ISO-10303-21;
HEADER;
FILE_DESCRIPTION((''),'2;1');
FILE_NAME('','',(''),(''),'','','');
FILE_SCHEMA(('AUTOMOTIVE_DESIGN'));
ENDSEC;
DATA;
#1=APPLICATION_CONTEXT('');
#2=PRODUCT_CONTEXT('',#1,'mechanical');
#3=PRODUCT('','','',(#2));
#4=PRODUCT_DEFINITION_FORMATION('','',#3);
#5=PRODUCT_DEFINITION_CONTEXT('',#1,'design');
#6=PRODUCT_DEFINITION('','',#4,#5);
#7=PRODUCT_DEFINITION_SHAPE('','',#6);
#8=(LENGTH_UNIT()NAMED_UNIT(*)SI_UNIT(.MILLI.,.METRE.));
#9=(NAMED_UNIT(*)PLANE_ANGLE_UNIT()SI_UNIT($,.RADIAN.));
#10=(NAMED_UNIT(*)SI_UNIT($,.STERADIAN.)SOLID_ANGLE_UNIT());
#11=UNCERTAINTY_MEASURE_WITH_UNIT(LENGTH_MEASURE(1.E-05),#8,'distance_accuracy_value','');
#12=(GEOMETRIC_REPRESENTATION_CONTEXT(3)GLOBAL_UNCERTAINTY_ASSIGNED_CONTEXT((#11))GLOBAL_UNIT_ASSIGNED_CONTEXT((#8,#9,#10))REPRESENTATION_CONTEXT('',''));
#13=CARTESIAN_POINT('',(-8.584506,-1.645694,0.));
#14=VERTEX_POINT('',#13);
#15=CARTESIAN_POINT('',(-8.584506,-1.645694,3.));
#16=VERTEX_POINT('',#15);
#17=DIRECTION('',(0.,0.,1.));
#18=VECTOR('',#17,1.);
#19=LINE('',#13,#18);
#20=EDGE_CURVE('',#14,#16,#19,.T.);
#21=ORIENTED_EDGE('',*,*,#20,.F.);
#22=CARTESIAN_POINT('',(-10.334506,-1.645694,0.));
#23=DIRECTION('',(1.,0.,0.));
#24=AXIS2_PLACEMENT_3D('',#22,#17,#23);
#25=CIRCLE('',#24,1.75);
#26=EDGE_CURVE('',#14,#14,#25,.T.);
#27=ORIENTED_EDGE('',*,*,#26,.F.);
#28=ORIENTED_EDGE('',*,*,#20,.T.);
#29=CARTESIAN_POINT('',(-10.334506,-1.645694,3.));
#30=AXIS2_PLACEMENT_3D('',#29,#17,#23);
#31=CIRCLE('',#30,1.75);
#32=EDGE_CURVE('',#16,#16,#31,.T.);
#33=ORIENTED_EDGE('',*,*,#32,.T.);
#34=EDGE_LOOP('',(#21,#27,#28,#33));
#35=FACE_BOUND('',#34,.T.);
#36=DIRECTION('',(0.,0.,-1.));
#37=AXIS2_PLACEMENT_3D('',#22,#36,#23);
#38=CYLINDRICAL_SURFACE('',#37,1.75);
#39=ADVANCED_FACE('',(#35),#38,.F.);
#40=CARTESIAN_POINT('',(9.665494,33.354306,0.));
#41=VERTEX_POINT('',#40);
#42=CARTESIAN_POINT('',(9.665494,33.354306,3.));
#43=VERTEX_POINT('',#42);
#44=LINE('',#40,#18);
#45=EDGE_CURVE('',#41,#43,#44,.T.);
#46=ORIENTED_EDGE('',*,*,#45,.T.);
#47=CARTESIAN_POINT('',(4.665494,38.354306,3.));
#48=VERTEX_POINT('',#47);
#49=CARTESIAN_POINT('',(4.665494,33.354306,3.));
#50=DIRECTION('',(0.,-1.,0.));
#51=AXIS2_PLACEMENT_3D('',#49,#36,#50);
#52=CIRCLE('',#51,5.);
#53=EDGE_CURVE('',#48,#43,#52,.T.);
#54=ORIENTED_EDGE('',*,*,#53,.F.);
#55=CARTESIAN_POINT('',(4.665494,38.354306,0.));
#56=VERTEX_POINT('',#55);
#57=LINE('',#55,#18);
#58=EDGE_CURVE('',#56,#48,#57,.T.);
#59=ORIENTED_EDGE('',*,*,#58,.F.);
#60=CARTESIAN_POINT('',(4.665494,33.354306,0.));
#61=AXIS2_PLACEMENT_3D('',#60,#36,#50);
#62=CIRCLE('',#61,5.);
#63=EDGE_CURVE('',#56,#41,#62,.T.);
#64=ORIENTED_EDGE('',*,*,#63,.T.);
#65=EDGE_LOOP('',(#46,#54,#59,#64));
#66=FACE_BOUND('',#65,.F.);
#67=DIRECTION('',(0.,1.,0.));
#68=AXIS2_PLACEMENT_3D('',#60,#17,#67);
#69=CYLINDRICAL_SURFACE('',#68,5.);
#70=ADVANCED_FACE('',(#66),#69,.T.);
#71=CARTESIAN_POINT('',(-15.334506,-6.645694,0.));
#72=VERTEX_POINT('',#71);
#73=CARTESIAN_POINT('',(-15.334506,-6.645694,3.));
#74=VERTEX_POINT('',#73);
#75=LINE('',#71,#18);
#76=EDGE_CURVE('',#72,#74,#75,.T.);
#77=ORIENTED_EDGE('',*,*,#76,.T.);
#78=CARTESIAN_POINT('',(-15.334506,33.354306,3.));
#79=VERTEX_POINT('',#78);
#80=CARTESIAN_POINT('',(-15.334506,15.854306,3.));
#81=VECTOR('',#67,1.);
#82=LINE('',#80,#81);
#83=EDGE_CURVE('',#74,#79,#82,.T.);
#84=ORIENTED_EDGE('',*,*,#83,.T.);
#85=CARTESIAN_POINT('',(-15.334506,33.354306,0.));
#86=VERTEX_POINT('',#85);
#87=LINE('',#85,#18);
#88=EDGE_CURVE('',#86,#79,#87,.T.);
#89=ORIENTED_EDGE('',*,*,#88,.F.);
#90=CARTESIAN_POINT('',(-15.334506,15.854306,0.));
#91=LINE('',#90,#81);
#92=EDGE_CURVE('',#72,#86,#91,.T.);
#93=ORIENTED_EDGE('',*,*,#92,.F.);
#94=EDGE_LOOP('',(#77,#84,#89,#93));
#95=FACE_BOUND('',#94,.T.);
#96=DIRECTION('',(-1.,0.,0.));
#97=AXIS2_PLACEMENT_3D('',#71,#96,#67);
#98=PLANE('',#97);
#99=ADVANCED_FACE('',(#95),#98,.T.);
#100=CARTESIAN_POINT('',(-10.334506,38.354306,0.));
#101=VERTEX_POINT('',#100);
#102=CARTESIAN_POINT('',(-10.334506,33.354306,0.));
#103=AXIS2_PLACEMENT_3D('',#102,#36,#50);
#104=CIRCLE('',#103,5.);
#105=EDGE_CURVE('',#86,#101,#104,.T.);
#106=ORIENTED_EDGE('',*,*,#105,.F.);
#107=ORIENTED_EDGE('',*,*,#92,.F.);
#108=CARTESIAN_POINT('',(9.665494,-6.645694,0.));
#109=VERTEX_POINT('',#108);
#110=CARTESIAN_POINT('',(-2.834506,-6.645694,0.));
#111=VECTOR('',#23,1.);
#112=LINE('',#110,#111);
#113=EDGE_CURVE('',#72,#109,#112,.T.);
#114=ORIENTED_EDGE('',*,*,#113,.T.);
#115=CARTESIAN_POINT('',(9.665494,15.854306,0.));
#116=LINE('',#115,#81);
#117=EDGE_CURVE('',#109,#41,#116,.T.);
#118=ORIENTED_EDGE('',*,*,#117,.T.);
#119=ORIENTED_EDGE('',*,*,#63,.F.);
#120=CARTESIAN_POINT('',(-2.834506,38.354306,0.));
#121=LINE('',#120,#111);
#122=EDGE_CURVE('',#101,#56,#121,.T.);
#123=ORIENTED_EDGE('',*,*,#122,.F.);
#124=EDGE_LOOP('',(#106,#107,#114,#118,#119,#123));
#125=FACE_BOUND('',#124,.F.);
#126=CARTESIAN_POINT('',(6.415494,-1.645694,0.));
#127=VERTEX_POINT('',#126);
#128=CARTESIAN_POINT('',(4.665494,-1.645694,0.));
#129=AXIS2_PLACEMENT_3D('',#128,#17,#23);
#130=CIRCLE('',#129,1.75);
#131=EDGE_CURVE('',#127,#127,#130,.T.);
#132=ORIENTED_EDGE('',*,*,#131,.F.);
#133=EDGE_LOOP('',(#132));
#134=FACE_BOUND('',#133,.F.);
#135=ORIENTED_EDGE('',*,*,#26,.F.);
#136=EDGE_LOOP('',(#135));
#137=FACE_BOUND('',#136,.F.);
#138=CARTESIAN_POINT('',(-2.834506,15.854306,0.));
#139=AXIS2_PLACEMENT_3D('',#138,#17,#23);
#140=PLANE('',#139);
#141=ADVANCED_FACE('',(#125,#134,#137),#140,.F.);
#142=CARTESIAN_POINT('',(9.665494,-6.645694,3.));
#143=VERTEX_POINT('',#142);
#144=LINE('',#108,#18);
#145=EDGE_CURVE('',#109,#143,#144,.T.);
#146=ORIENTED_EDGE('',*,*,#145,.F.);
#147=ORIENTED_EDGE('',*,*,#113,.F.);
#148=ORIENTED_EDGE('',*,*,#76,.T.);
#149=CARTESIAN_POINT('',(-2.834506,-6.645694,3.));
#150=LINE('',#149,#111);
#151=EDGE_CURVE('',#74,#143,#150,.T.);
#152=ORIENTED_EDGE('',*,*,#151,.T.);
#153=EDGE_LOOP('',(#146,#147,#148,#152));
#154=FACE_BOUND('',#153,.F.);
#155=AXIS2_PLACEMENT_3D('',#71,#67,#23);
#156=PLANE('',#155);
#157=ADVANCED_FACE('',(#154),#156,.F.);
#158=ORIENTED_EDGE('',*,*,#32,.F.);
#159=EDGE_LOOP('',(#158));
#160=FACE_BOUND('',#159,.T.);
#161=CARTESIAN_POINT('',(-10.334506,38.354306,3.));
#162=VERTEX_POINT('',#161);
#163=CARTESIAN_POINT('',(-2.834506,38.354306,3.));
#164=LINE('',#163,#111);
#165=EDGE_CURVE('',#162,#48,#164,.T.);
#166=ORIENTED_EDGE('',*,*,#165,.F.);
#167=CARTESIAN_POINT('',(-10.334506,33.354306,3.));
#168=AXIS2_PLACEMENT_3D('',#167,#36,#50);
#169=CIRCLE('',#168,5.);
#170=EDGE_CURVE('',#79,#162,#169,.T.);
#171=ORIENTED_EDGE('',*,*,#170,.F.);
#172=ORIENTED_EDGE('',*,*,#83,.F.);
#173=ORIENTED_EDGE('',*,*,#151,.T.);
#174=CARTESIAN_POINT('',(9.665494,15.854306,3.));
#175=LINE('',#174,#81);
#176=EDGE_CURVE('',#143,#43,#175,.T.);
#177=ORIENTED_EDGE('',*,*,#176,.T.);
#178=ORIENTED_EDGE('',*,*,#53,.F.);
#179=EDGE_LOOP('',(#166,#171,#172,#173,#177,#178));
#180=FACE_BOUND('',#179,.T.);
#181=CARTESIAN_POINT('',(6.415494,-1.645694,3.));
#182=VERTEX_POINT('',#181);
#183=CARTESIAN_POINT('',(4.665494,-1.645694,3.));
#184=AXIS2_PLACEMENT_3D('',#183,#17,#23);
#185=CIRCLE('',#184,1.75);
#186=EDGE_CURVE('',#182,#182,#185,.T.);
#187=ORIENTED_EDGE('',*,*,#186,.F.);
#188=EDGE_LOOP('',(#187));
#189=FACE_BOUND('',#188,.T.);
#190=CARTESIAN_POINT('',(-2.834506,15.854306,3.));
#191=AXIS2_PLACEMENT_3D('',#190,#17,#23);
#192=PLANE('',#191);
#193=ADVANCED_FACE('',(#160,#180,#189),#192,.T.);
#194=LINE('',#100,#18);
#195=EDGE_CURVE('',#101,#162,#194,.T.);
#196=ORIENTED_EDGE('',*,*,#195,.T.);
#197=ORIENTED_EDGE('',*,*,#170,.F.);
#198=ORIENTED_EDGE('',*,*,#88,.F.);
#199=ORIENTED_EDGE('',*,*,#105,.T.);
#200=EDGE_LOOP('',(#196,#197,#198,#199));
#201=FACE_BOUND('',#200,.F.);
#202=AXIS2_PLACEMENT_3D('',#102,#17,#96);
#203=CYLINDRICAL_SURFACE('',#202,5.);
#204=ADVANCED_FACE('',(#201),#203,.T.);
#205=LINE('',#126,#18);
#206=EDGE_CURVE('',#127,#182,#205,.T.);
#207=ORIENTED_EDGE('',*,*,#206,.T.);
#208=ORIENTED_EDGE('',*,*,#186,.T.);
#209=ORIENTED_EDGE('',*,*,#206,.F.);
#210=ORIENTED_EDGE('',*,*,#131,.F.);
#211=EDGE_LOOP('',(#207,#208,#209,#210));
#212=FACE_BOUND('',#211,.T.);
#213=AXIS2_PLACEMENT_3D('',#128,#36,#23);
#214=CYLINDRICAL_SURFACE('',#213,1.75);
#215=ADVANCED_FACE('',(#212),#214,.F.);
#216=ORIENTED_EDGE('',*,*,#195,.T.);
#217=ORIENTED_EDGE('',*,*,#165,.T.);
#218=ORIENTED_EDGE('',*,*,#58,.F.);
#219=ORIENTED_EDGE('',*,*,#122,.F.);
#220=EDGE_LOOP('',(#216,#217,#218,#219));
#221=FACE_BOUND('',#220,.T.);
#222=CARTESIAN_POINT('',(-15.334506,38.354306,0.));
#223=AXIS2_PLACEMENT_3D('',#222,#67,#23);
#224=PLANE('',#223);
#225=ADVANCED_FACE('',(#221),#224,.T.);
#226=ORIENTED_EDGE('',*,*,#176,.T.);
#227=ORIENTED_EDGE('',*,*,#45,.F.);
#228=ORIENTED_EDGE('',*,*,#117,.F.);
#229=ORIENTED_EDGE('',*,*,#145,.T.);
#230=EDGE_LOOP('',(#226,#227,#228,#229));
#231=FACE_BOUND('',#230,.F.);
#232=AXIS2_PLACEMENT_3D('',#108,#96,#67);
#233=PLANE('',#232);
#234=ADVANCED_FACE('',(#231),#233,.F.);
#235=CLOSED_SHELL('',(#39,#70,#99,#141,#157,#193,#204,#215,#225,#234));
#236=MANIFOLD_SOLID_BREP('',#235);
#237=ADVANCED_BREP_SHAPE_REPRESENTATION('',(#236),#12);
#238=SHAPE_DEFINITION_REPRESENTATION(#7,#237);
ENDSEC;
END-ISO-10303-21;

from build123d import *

# Parameters (mm, degrees)
F0_W     = 25
F0_H     = 45
F0_R     = 1.75
F1_DEPTH = 3
F2_R     = 5


with BuildPart() as f1:
    # F0 (on Top) → F1 (new body)
    with BuildSketch(Plane.XY):
        with Locations((-2.834506, 15.854306)):
            Rectangle(F0_W, F0_H)
        with Locations((-10.334506, -1.645694)):
            Circle(F0_R, mode=Mode.SUBTRACT)
        with Locations((4.665494, -1.645694)):
            Circle(F0_R, mode=Mode.SUBTRACT)
    extrude(amount=F1_DEPTH)

    # F2
    f2_edges = [f1.edges().sort_by_distance(p)[0] for p in [
        (9.665494, 38.354306, 1.5),
        (-15.334506, 38.354306, 1.5),
    ]]
    fillet(f2_edges, radius=F2_R)


solid = f1.part
